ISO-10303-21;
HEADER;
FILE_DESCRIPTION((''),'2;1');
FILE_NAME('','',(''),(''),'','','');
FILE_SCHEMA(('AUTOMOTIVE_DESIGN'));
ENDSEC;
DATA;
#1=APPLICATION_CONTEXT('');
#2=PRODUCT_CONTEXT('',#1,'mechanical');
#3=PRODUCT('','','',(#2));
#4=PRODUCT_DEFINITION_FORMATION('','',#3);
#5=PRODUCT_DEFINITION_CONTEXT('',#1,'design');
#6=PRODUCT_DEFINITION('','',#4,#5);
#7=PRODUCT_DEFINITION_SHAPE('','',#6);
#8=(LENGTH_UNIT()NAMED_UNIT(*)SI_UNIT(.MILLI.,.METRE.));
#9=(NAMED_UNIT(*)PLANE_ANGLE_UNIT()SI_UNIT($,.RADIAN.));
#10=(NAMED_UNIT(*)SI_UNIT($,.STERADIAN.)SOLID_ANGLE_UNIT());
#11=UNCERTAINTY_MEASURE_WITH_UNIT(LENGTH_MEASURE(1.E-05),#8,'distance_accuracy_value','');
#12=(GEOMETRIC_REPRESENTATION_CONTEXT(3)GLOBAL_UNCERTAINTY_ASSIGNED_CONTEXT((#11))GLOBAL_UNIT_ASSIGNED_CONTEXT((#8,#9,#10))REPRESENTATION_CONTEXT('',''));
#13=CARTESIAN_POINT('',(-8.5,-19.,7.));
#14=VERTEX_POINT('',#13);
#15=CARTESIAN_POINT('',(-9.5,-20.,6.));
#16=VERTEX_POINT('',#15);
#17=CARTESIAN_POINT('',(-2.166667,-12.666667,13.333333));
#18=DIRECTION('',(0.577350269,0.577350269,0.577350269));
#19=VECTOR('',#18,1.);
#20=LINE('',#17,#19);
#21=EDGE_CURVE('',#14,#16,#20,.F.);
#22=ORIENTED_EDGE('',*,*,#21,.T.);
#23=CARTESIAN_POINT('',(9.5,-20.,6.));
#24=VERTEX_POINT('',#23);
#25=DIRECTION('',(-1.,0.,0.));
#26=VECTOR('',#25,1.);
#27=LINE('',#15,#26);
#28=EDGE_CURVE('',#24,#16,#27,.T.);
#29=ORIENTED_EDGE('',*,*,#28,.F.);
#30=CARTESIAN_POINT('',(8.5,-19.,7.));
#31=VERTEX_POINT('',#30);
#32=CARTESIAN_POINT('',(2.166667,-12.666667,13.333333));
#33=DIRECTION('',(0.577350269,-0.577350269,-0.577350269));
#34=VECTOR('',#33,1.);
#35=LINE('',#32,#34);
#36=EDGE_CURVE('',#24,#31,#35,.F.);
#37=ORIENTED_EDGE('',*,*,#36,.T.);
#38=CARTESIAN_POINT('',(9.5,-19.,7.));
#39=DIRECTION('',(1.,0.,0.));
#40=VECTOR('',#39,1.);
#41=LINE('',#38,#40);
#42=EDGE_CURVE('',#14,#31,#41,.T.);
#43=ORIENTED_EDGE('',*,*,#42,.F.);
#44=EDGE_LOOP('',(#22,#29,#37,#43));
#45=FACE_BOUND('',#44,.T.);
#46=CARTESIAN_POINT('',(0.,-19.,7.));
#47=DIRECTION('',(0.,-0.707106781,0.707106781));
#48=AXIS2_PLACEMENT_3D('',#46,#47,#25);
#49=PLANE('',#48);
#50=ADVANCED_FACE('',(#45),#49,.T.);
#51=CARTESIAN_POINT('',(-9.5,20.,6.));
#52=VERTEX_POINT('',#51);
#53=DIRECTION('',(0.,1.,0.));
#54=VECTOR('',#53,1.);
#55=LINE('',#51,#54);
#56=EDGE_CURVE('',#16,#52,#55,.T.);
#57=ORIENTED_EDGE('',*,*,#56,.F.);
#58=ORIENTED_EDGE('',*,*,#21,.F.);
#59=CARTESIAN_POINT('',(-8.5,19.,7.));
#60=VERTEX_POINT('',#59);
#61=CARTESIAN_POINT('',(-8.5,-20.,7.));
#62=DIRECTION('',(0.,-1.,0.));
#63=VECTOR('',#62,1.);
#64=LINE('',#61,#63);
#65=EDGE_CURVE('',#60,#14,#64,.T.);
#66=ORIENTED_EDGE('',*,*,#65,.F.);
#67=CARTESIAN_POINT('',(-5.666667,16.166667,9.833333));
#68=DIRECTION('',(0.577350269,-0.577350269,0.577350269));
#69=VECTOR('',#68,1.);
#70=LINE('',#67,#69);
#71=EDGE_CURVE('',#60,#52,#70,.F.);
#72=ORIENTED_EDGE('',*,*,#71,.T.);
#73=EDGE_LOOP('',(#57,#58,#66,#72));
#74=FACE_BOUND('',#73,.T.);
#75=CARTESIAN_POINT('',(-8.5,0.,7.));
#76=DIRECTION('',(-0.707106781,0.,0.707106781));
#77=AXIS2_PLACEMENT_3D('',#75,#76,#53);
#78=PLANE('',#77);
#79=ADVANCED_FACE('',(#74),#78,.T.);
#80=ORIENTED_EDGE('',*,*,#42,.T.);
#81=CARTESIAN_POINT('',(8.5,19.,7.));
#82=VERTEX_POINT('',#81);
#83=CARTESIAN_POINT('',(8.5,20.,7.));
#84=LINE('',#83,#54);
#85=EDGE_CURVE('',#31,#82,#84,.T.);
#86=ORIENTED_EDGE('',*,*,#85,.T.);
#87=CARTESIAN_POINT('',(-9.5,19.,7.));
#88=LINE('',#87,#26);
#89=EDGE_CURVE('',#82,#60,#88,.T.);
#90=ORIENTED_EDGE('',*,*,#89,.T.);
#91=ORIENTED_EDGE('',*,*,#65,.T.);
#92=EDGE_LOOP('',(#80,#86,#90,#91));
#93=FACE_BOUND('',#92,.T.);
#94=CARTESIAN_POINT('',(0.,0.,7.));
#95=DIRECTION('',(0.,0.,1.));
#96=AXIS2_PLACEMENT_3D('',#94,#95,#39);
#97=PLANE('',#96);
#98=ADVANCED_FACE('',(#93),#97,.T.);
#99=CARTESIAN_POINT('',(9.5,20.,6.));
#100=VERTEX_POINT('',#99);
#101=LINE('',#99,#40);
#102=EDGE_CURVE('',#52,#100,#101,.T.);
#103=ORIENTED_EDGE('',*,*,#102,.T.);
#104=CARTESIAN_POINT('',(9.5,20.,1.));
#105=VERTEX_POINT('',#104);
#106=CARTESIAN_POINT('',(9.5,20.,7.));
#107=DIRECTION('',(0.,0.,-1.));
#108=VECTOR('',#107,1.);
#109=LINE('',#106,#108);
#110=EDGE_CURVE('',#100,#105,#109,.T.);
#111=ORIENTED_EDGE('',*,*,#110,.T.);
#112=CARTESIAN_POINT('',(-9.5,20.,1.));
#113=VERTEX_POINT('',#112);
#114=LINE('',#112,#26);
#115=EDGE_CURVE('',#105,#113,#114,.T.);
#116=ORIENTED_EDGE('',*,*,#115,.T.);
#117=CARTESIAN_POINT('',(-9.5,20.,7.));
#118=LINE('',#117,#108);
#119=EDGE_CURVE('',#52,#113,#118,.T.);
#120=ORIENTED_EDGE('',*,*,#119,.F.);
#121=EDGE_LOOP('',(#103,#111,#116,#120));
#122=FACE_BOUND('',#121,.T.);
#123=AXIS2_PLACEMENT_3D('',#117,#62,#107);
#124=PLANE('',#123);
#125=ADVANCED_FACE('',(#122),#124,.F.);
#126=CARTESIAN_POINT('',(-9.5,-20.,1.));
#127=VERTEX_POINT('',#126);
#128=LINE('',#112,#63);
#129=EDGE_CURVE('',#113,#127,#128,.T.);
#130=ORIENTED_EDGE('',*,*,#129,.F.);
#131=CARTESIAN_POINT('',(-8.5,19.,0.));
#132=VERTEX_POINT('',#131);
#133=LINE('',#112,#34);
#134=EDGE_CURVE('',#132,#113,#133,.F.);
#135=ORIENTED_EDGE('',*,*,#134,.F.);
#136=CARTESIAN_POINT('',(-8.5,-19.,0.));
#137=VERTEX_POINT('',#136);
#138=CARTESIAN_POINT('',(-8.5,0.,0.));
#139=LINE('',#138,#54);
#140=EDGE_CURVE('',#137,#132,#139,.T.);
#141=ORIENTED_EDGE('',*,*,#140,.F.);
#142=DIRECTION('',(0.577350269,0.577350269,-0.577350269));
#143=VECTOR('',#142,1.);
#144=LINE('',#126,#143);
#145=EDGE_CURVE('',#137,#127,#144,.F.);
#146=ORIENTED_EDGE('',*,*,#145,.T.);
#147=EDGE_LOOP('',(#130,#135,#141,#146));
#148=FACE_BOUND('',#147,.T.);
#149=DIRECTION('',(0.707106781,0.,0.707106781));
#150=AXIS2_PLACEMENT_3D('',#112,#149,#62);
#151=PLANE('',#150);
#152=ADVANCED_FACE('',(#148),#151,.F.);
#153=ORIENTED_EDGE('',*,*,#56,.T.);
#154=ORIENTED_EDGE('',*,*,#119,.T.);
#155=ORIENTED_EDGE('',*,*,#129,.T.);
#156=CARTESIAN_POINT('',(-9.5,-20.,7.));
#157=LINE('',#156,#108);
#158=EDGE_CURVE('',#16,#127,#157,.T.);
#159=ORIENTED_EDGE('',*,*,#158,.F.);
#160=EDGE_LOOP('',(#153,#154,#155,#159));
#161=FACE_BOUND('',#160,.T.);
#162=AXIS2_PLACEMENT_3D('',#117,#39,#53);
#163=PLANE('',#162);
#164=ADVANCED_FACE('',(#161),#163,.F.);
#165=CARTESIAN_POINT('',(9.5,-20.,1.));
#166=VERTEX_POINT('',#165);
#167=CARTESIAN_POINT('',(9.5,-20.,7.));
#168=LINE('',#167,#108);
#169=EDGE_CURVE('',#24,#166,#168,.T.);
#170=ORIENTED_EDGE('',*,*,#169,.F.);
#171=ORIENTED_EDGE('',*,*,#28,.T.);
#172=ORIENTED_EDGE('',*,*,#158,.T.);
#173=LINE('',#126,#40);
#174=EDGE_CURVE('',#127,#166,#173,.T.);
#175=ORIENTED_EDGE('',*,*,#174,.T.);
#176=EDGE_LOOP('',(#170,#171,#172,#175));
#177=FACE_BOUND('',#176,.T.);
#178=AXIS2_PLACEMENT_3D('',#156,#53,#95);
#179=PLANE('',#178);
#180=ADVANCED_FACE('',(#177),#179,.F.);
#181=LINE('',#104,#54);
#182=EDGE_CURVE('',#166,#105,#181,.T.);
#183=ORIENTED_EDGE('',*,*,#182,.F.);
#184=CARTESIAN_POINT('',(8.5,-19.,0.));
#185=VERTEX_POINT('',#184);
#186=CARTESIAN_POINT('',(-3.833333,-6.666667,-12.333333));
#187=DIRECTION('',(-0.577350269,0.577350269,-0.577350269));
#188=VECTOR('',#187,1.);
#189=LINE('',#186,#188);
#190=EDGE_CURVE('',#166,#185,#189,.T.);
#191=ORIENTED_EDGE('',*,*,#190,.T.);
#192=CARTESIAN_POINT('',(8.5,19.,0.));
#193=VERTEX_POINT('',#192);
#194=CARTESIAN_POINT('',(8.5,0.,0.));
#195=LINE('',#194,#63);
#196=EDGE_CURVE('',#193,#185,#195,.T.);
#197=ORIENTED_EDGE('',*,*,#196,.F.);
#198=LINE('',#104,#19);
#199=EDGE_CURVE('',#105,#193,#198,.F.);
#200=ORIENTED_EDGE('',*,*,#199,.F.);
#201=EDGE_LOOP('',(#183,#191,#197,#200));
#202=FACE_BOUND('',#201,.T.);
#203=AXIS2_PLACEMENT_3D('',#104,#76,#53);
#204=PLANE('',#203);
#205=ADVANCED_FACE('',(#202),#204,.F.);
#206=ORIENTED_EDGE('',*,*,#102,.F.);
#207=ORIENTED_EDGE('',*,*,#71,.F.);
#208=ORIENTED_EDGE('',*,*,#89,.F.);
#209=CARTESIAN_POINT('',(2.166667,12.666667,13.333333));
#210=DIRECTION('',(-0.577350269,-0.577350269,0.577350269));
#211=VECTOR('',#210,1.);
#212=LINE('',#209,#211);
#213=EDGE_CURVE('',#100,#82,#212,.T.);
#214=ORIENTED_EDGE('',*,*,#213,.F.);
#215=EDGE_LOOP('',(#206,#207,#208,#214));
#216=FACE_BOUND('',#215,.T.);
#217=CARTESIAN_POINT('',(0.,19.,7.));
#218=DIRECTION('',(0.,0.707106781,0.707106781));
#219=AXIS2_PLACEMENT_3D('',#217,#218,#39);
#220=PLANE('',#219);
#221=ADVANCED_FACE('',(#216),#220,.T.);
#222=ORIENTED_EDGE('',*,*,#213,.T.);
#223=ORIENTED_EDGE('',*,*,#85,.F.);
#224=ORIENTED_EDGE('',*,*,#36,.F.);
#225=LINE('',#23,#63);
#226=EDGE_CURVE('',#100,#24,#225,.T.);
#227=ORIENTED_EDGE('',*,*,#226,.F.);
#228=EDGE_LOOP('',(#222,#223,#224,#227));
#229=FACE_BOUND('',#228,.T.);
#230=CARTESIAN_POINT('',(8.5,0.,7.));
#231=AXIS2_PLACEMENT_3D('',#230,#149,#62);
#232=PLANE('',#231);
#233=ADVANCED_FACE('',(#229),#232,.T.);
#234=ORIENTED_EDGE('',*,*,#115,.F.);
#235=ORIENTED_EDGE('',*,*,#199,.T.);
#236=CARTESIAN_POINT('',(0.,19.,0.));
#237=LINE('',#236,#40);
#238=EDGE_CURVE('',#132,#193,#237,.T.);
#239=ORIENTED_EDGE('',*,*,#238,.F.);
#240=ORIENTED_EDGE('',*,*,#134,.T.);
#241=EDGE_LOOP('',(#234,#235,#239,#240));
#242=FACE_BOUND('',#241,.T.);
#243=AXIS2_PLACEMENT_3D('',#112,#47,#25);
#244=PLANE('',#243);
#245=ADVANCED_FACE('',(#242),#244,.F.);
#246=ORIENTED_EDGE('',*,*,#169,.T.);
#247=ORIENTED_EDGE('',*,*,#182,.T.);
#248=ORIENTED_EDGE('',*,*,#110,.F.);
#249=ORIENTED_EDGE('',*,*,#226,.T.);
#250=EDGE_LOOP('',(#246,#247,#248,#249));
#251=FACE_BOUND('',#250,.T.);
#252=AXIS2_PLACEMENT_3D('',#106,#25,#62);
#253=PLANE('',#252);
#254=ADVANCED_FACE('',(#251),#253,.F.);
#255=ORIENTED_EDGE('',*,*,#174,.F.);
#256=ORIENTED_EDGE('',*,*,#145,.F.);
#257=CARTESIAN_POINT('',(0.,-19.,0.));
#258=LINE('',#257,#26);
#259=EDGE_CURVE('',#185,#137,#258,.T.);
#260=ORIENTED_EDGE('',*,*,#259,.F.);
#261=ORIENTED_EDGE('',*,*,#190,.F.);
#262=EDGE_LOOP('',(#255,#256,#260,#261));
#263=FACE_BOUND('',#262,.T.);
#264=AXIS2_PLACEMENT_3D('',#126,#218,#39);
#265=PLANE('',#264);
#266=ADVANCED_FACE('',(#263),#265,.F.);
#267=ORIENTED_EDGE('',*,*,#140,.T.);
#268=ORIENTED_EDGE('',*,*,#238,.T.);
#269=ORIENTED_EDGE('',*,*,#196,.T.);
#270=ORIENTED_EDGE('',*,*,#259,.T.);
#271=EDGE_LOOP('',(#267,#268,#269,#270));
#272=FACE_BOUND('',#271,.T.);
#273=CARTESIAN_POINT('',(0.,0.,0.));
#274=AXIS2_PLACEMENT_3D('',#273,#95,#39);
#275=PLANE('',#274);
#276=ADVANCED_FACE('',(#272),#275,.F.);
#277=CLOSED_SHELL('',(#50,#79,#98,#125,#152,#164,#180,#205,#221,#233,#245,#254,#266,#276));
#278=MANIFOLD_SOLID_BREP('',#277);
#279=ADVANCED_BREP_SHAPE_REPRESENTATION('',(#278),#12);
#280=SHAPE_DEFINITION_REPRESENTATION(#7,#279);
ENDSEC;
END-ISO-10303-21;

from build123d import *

# Parameters (mm, degrees)
SKETCH1_W           = 19
SKETCH1_H           = 40
BOSS_EXTRUDE1_DEPTH = 7
CHAMFER1_SIZE       = 1


with BuildPart() as part:
    # Sketch1 → Boss-Extrude1 (new body)
    with BuildSketch(Plane.XY):
        Rectangle(SKETCH1_W, SKETCH1_H)
    extrude(amount=BOSS_EXTRUDE1_DEPTH)

    # Chamfer1
    chamfer1_edges = [part.edges().sort_by_distance(p)[0] for p in [
        (-9.5, 0, 7),
        (0, -20, 7),
        (9.5, 0, 7),
        (0, -20, 0),
        (-9.5, 0, 0),
        (0, 20, 0),
        (9.5, 0, 0),
        (0, 20, 7),
    ]]
    chamfer(chamfer1_edges, length=CHAMFER1_SIZE)


solid = part.part
